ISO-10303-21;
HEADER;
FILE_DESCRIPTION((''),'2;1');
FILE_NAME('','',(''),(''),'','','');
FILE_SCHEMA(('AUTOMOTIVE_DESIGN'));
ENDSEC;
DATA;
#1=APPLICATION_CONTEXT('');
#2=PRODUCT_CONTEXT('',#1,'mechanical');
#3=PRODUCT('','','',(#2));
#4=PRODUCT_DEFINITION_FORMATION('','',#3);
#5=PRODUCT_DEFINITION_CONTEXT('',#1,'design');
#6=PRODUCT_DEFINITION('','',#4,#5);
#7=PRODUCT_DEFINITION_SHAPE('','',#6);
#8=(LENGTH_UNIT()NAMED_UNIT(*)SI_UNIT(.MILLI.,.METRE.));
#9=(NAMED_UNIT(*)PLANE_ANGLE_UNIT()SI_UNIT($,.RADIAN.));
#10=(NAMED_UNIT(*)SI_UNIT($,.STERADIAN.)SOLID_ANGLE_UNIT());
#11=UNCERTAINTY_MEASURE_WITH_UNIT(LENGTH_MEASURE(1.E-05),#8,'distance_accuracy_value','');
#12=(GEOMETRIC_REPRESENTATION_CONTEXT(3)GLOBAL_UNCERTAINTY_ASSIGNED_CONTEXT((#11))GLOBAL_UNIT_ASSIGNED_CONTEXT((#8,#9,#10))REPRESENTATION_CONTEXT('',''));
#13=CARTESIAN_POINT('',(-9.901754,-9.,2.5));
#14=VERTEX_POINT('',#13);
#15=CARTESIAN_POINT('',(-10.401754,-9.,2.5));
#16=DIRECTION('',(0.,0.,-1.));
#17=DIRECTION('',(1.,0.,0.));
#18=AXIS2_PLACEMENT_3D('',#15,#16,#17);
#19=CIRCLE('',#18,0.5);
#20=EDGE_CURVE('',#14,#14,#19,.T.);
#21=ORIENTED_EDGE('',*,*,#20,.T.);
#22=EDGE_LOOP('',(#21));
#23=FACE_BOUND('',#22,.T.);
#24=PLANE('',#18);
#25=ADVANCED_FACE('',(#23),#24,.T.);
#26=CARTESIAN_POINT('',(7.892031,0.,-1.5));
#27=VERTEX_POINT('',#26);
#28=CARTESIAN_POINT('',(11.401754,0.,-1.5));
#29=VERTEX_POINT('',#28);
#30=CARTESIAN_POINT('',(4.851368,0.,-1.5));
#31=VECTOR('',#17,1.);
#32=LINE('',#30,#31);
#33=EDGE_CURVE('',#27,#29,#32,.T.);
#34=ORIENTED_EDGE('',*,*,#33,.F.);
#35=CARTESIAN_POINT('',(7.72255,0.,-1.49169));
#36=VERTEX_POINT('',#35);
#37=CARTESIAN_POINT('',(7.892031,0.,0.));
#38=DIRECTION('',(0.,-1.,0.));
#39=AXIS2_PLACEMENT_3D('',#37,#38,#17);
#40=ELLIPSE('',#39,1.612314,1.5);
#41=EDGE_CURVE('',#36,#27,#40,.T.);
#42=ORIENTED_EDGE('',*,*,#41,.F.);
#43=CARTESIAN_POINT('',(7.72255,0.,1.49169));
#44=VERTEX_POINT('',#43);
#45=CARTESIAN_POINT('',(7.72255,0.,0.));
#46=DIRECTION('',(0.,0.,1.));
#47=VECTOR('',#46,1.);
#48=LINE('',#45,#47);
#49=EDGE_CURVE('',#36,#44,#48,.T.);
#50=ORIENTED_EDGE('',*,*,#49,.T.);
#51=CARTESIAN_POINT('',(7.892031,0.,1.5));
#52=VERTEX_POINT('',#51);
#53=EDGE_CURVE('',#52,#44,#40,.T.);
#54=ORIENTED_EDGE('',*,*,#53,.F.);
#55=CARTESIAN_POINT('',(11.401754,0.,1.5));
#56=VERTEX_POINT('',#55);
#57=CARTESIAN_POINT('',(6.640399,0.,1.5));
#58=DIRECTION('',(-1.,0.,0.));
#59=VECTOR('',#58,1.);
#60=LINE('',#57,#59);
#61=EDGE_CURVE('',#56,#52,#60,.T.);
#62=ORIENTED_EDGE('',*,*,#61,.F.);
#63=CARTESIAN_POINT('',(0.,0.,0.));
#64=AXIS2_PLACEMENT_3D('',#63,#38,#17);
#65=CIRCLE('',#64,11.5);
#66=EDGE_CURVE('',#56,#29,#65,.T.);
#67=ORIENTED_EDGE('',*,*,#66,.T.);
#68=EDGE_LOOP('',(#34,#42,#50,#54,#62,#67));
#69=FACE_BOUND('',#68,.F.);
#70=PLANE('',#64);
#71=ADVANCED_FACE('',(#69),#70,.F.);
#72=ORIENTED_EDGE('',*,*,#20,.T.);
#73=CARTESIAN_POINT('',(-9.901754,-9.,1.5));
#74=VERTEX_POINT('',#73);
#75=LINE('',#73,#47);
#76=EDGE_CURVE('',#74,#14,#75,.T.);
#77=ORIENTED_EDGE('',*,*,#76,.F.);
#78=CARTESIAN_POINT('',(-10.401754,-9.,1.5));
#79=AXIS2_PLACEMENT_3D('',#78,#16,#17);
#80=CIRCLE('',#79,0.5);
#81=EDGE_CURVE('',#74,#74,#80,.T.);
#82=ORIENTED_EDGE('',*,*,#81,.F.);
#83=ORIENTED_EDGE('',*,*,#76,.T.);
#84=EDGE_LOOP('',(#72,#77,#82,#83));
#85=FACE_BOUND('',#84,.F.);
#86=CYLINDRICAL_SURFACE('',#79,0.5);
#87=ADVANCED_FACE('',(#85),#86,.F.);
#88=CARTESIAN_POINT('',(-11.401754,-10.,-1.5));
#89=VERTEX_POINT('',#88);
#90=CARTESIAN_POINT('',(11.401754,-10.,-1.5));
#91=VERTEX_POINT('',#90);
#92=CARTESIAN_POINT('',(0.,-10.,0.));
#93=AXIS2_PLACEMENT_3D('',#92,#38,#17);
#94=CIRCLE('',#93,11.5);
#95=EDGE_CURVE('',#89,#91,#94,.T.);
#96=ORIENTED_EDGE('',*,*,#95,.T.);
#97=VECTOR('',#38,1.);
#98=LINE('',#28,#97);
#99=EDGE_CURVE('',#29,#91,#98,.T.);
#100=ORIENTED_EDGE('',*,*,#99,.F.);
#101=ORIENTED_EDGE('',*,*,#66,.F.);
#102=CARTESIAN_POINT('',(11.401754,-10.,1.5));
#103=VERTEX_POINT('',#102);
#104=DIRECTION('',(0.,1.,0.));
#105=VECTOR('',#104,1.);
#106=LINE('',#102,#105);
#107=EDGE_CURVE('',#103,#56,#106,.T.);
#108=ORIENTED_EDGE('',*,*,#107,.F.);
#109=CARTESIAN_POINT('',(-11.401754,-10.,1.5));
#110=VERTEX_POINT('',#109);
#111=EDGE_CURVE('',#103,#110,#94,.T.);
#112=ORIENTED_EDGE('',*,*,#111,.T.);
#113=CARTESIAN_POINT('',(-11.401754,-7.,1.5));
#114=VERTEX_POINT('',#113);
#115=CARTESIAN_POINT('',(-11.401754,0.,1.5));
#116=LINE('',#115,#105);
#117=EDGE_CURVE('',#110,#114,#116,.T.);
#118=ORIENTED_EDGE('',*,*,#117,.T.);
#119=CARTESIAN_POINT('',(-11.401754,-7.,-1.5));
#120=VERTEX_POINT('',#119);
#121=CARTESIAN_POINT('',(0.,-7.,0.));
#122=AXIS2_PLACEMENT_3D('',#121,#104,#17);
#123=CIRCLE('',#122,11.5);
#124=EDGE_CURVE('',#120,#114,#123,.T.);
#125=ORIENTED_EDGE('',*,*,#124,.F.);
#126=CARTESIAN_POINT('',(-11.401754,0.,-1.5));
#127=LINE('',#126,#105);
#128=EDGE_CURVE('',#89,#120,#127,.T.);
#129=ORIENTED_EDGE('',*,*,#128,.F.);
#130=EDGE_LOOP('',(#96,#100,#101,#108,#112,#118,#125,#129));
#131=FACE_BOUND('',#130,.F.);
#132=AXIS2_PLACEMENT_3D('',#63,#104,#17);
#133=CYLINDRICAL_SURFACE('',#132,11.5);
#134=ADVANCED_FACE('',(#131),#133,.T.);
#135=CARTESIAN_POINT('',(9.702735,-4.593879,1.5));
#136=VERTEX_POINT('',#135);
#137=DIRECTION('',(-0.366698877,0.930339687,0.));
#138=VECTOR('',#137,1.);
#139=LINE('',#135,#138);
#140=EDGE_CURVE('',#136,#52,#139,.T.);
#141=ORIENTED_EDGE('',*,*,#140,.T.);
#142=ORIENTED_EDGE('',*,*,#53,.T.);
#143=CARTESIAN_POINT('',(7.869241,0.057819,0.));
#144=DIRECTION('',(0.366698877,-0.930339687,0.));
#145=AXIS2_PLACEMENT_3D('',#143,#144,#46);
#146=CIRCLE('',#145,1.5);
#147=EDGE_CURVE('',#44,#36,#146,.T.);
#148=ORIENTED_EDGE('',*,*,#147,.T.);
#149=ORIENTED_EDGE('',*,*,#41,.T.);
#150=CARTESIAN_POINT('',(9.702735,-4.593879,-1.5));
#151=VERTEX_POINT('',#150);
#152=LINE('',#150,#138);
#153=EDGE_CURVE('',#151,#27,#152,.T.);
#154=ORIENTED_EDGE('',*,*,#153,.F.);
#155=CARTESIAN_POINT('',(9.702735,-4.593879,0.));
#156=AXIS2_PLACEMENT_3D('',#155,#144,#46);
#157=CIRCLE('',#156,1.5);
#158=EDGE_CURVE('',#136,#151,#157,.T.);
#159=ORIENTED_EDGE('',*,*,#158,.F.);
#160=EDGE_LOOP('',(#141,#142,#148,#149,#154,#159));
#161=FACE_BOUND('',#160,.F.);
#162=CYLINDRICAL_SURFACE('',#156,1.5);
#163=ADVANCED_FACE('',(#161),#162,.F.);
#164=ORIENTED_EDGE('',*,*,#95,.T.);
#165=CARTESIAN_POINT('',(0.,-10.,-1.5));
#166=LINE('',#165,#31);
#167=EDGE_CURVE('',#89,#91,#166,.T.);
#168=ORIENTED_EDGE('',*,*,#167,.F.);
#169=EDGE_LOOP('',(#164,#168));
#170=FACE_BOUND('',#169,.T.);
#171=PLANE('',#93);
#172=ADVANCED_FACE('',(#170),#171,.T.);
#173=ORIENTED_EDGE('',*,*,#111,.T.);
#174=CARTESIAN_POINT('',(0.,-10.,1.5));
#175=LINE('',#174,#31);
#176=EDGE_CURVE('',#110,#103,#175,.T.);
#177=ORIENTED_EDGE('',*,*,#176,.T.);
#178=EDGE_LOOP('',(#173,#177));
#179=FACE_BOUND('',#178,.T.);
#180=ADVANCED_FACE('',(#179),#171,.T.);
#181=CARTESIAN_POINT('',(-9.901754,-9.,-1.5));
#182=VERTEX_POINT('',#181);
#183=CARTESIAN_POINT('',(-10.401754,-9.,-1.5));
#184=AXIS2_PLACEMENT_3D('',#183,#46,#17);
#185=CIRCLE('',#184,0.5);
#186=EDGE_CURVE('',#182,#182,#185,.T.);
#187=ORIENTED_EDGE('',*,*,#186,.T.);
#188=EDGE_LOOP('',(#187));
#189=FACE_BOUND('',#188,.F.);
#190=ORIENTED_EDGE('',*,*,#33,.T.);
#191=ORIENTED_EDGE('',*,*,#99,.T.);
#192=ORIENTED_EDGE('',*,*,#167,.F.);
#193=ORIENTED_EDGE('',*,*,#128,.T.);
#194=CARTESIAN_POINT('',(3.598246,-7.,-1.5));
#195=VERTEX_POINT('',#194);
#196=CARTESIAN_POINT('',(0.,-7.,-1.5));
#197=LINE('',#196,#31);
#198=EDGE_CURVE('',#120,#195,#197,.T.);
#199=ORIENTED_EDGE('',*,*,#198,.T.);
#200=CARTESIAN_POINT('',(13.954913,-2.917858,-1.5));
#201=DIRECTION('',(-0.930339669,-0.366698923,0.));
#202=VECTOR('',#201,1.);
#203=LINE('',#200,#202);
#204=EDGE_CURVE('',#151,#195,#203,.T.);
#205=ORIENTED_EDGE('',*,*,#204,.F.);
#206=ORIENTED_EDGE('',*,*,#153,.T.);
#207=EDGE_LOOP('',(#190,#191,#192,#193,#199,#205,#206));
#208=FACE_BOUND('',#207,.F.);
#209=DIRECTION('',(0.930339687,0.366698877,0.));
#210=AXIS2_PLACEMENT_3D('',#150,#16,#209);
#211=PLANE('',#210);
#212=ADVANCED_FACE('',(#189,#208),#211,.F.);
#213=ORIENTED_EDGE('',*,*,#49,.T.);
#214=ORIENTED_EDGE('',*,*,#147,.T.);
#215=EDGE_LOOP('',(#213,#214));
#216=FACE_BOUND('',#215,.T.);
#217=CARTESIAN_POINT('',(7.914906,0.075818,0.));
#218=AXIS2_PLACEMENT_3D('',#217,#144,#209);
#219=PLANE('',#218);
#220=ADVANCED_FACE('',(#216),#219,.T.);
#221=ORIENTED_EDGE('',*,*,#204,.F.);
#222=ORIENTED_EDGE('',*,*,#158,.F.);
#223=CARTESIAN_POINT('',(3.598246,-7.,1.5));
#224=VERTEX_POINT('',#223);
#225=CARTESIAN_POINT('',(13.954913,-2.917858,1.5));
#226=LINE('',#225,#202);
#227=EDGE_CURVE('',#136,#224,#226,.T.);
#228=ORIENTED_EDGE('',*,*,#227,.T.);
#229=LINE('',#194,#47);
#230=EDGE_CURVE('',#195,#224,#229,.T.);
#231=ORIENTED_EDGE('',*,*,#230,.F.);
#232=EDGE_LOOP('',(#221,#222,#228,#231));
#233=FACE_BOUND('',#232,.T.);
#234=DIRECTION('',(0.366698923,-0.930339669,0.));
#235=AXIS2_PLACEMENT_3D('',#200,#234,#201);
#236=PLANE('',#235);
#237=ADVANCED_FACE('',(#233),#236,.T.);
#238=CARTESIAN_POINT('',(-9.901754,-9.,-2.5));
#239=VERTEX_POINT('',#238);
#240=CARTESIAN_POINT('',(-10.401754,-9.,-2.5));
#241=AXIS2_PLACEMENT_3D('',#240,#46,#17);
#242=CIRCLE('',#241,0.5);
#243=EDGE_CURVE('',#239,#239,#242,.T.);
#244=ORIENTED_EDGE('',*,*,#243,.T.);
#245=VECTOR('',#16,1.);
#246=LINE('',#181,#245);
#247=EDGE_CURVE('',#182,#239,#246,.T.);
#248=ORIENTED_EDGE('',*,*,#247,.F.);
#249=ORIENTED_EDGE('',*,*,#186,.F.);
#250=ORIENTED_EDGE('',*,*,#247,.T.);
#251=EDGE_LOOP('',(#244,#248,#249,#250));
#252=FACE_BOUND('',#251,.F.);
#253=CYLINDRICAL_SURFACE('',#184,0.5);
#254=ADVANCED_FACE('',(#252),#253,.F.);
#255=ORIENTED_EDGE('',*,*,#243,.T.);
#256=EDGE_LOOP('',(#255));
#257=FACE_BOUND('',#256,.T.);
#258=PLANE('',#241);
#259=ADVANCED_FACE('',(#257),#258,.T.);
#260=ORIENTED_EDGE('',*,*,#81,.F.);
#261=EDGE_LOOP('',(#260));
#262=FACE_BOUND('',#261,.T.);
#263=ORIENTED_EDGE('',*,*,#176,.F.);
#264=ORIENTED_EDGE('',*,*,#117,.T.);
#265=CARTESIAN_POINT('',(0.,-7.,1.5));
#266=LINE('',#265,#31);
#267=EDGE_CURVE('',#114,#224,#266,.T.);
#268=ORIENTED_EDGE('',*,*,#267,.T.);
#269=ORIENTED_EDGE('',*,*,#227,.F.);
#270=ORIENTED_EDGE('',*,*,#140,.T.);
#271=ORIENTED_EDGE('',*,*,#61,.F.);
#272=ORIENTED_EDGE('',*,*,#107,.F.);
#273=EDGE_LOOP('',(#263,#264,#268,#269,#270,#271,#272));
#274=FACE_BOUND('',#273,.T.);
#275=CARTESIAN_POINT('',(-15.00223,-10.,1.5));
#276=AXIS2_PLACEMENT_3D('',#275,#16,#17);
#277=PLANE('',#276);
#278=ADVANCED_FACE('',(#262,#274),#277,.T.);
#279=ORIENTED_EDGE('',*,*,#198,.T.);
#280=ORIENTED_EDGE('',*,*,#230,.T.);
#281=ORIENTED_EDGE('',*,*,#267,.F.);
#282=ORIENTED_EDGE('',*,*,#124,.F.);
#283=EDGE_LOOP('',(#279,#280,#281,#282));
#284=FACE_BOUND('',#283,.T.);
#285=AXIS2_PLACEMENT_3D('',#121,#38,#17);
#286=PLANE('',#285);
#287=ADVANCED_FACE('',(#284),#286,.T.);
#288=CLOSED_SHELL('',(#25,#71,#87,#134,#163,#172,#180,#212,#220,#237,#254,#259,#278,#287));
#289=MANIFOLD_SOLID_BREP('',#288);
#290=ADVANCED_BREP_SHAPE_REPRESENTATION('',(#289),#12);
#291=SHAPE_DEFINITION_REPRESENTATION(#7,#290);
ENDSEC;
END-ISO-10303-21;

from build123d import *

# Parameters (mm, degrees)
F0_R      = 11.5
F1_DEPTH  = 10
F2_W      = 30.00446
F2_H      = 3
F3_DEPTH  = 3
F4_R      = 0.5
F5_DEPTH  = 1
F6_R      = 0.5
F7_DEPTH  = 1
F9_DEPTH  = 3
F11_DEPTH = 5


with BuildPart() as f1:
    # F0 (on Front) → F1 (new body)
    with BuildSketch(Plane.XZ):
        Circle(F0_R)
    extrude(amount=F1_DEPTH)

    # F2 (on face) → F3 (cut)
    with BuildSketch(Plane.XZ.offset(10)):
        Rectangle(F2_W, F2_H)
    extrude(amount=-F3_DEPTH, mode=Mode.SUBTRACT)

    # F4 (on face) → F5 (cut)
    with BuildSketch(Plane(origin=(0, 0, 1.5), x_dir=(1, 0, 0), z_dir=(0, 0, -1))):
        with Locations((-10.401754, 9)):
            Circle(F4_R)
    extrude(amount=-F5_DEPTH, mode=Mode.SUBTRACT)

    # F6 (on face) → F7 (cut)
    with BuildSketch(Plane.XY.offset(-1.5)):
        with Locations((-10.401754, -9)):
            Circle(F6_R)
    extrude(amount=-F7_DEPTH, mode=Mode.SUBTRACT)

    # F8 (on face) → F9 (cut)
    with BuildSketch(Plane.XY.offset(-1.5)):
        Polygon((13.954913, -2.917858), (3.598246, -7), (11.401754, -7), align=None)
        Polygon((14.351814, -7.2972), (13.954913, -2.917858), (11.401754, -7), align=None)
    extrude(amount=F9_DEPTH, mode=Mode.SUBTRACT)

    # F10 (on face) → F11 (cut)
    with BuildSketch(Plane(origin=(2.871931, -7.286281, 0), x_dir=(0.93034, 0.366699, 0), z_dir=(0.366699, -0.93034, 0))):
        with BuildLine():
            ThreePointArc((7.342269, -1.5), (8.402929, -1.06066), (8.842269, 0))
            ThreePointArc((8.842269, 0), (8.402929, 1.06066), (7.342269, 1.5))
            ThreePointArc((7.342269, 1.5), (5.842269, 0), (7.342269, -1.5))
        make_face()
        with BuildLine():
            ThreePointArc((7.342269, 1.5), (8.402929, 1.06066), (8.842269, 0))
            ThreePointArc((8.842269, 0), (8.402929, -1.06066), (7.342269, -1.5))
            Line((7.342269, -1.5), (11.188243, -1.5))
            Line((11.188243, -1.5), (11.188243, 1.5))
            Line((11.188243, 1.5), (7.342269, 1.5))
        make_face()
    extrude(amount=-F11_DEPTH, mode=Mode.SUBTRACT)


solid = f1.part
